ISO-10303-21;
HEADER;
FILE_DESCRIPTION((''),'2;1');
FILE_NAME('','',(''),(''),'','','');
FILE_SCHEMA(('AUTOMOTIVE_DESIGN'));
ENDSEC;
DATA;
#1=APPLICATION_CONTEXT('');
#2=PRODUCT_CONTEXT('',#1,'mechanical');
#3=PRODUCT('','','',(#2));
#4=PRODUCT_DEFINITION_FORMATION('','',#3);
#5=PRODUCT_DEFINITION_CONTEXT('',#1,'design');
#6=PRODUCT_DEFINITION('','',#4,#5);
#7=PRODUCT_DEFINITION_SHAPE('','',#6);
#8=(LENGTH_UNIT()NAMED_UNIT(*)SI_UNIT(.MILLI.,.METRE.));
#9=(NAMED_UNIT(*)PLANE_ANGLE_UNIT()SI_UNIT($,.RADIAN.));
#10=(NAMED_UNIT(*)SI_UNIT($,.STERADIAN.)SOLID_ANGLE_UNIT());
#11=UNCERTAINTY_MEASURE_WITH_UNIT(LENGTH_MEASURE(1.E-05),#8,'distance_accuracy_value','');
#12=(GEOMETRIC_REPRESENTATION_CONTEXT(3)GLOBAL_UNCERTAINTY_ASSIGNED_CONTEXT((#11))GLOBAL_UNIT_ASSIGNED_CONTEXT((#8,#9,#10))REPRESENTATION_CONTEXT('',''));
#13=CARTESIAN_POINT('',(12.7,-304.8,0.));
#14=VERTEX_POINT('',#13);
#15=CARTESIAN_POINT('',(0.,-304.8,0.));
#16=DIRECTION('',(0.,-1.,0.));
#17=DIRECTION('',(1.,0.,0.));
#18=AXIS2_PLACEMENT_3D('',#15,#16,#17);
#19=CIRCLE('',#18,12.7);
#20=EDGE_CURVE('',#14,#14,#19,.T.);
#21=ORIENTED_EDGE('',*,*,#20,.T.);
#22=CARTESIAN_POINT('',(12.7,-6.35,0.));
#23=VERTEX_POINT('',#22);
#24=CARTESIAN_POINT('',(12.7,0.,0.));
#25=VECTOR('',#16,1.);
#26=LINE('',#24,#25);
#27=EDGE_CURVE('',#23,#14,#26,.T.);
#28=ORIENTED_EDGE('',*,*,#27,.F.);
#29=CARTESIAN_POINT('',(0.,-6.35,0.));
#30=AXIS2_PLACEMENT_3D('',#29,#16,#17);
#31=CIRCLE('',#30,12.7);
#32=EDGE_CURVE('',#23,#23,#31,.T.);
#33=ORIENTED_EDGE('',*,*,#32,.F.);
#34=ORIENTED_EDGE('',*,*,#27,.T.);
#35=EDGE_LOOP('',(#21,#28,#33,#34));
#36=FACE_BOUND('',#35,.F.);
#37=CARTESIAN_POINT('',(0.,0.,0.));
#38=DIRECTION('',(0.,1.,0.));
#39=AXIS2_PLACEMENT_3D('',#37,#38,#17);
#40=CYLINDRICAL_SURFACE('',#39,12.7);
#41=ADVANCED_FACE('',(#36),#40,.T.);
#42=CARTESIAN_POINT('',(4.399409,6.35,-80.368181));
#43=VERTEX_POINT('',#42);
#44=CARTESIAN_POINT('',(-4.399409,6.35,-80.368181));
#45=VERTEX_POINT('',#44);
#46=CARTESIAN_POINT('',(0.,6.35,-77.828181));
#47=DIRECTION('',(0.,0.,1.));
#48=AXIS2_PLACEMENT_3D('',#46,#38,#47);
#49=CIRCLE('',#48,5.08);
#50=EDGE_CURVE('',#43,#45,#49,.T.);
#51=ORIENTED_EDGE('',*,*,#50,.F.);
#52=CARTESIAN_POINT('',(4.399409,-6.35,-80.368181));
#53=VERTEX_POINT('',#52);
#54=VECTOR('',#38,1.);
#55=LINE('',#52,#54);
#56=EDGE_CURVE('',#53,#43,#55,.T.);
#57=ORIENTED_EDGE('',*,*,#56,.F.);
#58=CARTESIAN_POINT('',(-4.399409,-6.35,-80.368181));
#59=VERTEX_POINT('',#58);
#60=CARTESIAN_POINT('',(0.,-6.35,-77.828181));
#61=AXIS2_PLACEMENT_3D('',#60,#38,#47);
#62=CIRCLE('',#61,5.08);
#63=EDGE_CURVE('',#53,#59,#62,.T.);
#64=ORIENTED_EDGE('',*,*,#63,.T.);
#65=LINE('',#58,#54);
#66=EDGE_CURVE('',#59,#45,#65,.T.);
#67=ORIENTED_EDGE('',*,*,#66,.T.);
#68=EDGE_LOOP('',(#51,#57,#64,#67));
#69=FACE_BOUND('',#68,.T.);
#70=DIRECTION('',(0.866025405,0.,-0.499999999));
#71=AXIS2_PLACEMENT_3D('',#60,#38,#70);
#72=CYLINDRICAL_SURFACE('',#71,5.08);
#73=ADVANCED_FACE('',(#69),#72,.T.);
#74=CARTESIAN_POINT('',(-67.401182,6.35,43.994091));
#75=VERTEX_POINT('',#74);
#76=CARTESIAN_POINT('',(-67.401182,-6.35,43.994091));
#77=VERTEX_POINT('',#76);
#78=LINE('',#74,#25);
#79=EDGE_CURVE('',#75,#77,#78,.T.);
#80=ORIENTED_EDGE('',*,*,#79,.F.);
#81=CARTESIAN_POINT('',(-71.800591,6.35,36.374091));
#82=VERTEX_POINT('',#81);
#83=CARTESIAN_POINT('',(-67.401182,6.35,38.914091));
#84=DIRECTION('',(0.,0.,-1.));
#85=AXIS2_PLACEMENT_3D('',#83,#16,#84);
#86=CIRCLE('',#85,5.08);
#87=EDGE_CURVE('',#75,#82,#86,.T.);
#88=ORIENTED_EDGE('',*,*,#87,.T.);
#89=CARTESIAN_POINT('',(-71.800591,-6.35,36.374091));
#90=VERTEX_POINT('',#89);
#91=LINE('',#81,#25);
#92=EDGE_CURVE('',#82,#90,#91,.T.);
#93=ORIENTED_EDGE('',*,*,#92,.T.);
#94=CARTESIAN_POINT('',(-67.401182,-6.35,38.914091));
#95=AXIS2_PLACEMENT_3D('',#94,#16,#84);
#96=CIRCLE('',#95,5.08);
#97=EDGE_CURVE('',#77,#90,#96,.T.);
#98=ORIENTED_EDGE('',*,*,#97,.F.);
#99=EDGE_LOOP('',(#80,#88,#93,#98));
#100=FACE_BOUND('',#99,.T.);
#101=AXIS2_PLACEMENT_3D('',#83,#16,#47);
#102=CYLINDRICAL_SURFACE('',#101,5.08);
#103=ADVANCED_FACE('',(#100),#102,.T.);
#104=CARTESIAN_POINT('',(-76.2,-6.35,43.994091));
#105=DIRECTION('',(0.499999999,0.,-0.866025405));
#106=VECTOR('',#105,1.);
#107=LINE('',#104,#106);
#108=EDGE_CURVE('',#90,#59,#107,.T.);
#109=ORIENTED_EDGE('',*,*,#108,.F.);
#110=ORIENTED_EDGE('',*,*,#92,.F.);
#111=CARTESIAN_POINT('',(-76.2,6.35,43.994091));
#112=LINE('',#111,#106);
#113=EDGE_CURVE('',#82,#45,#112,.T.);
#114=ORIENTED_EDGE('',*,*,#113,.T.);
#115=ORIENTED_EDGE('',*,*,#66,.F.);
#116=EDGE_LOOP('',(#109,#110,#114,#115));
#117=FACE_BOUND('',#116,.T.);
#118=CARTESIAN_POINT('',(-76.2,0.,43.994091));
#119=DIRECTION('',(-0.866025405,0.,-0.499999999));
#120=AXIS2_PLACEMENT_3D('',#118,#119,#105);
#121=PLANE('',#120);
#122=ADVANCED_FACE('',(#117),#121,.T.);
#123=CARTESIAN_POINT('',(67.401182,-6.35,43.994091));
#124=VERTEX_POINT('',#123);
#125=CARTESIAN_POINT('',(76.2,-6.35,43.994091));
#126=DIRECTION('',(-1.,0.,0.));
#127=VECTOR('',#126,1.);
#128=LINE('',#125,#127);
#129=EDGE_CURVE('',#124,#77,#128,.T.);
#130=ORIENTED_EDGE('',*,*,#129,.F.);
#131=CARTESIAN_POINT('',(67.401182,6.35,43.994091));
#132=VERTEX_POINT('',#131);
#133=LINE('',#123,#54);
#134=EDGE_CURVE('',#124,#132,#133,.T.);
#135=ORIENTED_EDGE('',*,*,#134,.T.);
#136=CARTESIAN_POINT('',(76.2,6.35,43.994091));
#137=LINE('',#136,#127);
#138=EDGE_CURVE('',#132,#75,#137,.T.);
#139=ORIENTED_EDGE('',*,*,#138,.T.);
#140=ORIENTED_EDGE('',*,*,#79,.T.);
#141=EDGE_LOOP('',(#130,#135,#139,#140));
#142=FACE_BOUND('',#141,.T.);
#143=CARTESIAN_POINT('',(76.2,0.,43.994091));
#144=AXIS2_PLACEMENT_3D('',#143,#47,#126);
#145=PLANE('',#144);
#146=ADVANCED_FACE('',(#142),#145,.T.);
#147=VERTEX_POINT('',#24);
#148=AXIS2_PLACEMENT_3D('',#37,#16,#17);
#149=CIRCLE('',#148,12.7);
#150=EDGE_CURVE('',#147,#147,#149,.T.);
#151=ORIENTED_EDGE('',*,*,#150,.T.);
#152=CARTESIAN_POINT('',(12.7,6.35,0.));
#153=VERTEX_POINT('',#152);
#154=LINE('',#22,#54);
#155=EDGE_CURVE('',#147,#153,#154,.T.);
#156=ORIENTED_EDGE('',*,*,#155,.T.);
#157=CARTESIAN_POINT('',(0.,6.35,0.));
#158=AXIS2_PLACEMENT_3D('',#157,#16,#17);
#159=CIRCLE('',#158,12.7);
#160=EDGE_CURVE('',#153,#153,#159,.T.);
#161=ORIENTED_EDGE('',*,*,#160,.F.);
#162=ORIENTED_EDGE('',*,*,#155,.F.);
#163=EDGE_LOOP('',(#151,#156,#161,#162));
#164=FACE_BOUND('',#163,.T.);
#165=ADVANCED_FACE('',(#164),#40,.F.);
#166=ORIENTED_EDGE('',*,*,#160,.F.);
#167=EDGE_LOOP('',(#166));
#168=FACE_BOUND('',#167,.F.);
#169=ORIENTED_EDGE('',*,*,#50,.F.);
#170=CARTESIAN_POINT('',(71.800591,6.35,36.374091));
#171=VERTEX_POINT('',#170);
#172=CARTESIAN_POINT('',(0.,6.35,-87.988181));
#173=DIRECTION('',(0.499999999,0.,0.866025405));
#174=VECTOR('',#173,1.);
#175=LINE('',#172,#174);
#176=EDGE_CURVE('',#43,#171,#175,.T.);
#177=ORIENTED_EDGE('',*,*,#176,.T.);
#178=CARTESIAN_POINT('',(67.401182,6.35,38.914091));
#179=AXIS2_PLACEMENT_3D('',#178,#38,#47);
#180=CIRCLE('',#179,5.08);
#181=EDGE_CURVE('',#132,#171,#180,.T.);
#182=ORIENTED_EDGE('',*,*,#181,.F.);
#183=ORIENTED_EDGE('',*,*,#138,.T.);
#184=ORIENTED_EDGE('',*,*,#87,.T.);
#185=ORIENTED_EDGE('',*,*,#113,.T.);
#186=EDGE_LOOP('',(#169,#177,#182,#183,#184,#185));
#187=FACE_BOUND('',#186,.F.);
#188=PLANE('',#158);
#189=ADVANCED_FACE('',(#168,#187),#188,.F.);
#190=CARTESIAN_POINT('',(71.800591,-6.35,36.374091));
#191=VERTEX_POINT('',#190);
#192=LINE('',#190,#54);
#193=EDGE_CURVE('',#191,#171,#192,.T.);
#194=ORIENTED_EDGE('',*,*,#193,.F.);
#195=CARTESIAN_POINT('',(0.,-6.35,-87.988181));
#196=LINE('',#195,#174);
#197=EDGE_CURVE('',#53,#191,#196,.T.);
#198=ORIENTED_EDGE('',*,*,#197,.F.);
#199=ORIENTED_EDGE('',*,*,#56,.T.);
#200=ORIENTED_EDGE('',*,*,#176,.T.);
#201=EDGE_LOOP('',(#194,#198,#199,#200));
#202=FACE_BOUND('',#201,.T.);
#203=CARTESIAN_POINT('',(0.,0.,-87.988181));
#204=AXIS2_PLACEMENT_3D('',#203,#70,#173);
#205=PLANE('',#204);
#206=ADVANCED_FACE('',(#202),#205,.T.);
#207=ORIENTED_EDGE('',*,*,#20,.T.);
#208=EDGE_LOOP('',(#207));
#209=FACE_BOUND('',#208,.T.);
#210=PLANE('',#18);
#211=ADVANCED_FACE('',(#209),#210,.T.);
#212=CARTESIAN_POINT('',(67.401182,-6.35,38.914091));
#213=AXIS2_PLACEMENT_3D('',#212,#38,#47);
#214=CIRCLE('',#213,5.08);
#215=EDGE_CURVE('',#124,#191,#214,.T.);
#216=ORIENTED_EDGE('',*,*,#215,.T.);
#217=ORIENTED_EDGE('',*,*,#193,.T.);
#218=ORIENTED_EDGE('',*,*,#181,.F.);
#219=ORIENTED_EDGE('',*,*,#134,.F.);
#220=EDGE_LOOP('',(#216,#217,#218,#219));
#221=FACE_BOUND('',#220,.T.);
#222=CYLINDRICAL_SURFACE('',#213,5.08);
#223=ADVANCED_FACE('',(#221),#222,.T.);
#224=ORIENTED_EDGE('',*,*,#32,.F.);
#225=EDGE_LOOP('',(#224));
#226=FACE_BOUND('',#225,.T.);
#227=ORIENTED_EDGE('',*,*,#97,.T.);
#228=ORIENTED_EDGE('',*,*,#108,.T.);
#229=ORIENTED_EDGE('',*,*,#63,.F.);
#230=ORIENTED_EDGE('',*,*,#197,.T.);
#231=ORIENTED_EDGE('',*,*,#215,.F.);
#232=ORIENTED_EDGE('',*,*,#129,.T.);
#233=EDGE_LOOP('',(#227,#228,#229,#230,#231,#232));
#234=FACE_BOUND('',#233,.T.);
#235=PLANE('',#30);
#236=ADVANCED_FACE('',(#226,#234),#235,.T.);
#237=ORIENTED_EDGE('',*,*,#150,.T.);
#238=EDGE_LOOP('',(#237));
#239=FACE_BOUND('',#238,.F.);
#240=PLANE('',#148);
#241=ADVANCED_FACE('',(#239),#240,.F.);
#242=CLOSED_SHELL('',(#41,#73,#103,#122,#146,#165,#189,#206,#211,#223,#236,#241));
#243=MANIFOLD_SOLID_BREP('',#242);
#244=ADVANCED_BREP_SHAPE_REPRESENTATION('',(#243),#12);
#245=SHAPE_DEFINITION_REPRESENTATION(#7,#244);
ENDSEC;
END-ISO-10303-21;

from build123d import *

# Parameters (mm, degrees)
F0_R     = 12.7
F1_DEPTH = 6.35
F2_R     = 5.08
F3_DEPTH = 304.8


with BuildPart() as f1:
    # F0 (on Front) → F1 (new body, symmetric)
    with BuildSketch(Plane.XZ):
        Polygon((76.2, 43.994091), (-76.2, 43.994091), (0, -87.988181), align=None)
        Circle(F0_R, mode=Mode.SUBTRACT)
    extrude(amount=F1_DEPTH, both=True)

    # F2
    f2_edges = [f1.edges().sort_by_distance(p)[0] for p in [
        (0, 0, -87.988181),
        (76.2, 0, 43.994091),
        (-76.2, 0, 43.994091),
    ]]
    fillet(f2_edges, radius=F2_R)

    # F0 (on Front) → F3 (join)
    with BuildSketch(Plane.XZ):
        Circle(F0_R)
    extrude(amount=F3_DEPTH)


solid = f1.part
